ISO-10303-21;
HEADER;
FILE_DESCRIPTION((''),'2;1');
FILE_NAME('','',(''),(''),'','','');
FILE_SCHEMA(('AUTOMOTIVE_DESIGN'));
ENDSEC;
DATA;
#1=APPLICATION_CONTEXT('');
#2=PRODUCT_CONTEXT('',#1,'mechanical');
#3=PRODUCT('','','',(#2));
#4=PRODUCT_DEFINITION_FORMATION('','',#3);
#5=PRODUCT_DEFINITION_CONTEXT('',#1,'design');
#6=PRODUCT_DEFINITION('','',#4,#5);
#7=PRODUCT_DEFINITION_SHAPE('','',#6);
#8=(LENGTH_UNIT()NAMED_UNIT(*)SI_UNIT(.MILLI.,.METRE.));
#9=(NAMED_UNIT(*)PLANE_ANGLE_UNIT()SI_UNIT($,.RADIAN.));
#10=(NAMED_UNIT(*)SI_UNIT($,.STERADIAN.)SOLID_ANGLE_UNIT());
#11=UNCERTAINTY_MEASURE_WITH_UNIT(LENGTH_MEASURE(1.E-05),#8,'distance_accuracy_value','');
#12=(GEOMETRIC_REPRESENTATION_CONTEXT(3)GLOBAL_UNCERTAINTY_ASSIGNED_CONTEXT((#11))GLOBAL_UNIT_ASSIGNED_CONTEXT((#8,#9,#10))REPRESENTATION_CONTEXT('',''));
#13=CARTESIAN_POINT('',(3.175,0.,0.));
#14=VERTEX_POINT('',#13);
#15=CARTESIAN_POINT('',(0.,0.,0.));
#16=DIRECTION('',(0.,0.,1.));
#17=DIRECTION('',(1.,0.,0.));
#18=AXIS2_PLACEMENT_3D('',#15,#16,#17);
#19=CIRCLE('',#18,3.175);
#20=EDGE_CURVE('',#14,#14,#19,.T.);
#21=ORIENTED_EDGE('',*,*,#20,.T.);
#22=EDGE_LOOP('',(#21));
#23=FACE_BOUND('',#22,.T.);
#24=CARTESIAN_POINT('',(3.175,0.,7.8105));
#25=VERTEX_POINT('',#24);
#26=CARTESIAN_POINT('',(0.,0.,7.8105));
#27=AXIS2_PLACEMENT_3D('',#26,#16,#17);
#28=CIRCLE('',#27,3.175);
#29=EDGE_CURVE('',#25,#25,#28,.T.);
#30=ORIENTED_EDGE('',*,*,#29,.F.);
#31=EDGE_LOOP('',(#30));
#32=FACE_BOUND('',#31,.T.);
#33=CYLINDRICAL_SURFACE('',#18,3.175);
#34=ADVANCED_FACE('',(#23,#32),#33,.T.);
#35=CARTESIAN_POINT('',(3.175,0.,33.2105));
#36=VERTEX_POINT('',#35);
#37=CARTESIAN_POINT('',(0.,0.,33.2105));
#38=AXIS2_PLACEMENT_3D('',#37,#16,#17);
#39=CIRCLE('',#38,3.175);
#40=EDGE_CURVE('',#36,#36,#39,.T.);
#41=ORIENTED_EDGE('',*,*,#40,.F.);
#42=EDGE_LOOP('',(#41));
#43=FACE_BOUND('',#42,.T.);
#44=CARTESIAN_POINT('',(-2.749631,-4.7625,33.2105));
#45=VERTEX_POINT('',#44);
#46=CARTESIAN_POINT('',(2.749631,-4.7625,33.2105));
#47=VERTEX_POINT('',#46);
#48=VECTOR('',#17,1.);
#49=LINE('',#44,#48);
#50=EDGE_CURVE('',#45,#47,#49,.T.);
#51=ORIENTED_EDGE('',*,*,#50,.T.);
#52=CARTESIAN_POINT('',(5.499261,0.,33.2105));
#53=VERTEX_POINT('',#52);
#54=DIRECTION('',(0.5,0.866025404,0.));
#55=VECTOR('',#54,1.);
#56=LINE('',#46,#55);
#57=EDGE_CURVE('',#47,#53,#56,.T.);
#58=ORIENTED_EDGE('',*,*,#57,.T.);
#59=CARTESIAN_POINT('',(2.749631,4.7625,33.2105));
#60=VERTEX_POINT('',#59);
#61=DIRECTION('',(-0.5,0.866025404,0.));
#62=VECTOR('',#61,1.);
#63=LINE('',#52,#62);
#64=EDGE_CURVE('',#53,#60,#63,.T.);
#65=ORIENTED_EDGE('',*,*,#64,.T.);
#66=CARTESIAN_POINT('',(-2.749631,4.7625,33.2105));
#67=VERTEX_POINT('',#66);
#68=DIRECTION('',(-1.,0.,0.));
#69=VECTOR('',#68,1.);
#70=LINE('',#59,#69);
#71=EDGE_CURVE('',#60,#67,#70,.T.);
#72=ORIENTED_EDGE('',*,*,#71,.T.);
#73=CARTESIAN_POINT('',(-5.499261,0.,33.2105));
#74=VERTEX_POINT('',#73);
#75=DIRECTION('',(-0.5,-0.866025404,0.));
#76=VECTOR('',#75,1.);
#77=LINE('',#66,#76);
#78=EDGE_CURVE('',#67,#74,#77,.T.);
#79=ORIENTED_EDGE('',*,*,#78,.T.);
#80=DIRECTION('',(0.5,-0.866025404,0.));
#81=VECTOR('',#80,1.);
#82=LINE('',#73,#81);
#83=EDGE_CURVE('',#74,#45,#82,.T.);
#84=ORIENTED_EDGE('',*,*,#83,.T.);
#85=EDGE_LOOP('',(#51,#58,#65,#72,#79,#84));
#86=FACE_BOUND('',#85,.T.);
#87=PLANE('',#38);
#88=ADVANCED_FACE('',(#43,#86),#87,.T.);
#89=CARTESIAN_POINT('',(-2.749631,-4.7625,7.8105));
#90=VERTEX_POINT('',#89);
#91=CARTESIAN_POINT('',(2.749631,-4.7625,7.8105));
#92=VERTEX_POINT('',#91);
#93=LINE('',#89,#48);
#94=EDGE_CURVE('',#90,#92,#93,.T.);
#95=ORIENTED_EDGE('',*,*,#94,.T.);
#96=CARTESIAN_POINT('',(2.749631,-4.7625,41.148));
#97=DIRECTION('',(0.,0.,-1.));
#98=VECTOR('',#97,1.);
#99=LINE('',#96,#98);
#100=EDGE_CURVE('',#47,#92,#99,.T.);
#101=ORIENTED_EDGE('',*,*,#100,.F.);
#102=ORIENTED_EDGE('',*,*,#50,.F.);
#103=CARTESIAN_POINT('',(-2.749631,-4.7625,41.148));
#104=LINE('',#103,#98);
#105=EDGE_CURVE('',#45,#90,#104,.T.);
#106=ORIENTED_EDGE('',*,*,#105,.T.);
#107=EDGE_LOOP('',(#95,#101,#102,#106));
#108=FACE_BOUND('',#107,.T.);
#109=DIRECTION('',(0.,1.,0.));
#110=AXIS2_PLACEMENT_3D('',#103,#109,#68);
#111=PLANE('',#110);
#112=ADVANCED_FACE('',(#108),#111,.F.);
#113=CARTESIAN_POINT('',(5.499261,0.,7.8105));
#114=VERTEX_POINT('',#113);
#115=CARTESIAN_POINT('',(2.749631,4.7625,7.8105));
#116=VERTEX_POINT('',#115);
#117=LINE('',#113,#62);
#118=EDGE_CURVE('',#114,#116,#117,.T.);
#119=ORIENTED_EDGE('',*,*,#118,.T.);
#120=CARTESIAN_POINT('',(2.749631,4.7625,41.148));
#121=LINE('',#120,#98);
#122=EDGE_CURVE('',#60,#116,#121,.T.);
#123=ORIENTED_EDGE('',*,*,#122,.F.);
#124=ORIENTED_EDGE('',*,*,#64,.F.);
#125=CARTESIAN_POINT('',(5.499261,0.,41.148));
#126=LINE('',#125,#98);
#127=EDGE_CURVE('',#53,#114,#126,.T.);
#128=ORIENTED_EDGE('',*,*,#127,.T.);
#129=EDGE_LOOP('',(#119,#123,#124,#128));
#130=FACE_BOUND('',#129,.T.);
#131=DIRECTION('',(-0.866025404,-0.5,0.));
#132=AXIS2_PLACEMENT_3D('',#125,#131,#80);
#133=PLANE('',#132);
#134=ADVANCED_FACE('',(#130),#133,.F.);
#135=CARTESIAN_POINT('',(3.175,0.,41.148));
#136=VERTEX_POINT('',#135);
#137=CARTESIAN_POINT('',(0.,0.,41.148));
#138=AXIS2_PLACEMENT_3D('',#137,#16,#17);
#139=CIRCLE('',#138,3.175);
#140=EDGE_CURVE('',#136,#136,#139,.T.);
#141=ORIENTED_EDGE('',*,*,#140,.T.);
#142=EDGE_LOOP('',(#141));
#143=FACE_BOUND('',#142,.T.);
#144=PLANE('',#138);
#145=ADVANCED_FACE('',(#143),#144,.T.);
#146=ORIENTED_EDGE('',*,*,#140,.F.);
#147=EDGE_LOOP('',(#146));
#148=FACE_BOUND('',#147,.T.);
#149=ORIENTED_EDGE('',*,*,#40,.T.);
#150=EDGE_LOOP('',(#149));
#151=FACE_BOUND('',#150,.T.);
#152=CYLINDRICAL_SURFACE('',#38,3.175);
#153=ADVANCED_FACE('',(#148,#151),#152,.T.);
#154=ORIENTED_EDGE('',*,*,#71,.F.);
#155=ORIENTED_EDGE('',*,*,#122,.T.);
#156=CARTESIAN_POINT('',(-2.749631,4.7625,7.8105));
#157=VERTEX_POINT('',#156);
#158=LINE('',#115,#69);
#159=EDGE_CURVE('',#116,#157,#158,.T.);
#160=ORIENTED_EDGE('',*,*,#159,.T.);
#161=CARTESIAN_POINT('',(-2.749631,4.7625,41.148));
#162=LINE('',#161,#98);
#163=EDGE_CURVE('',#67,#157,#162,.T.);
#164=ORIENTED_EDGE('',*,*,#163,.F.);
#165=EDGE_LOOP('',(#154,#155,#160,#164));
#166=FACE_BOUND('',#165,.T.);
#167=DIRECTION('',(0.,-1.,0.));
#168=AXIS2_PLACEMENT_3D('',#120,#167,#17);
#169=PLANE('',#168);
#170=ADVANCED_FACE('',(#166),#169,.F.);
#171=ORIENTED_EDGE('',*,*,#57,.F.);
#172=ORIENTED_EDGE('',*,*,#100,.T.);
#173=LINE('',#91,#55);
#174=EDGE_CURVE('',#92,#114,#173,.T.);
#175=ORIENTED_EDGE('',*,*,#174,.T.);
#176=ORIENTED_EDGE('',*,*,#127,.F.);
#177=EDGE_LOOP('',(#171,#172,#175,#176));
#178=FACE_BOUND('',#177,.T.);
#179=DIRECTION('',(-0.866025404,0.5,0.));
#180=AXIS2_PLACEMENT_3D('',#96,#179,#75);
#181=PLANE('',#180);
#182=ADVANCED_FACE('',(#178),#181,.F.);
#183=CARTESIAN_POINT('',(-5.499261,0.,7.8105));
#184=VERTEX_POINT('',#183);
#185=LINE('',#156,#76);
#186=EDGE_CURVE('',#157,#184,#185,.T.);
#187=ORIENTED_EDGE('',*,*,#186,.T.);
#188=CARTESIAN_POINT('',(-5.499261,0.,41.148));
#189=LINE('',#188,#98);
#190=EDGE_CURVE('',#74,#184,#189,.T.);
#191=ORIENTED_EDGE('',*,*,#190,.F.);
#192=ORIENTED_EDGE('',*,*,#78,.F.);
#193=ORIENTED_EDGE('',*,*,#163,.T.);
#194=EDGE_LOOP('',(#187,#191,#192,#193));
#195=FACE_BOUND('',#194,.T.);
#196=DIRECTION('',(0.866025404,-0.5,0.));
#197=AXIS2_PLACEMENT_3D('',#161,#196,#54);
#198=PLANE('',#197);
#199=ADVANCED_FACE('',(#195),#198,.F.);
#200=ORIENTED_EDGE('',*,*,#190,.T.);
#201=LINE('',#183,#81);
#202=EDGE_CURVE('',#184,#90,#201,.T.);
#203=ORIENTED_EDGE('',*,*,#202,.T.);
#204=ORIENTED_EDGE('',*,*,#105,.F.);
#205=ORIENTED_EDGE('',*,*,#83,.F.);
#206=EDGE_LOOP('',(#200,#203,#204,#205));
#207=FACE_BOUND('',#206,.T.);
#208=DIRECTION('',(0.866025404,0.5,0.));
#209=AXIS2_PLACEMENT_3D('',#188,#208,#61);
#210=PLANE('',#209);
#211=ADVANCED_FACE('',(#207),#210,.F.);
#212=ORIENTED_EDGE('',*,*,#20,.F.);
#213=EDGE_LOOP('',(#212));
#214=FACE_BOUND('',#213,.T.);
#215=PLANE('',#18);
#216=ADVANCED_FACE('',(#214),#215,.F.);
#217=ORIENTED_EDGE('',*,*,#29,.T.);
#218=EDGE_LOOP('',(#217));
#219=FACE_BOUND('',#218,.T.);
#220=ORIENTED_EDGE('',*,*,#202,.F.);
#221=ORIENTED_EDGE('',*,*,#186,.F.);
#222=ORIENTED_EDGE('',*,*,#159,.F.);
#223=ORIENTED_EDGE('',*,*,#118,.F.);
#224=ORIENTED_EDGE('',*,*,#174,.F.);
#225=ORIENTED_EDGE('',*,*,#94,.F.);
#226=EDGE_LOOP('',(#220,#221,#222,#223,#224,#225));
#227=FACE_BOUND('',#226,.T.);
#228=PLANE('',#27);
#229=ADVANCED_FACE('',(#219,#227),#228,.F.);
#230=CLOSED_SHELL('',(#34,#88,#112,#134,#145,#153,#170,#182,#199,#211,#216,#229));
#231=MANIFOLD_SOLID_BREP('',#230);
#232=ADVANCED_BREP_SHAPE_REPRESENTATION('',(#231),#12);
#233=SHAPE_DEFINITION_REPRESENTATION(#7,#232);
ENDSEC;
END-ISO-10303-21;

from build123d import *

# Parameters (mm, degrees)
BOSS_EXTRUDE1_DEPTH = 41.148
SKETCH2_OUTSIDE_W   = 21.726
SKETCH2_OUTSIDE_H   = 20.254
SKETCH2_OUTSIDE_R   = 3.175
CUT_EXTRUDE1_DEPTH  = 7.9375
SKETCH3_OUTSIDE_W   = 21.726
SKETCH3_OUTSIDE_H   = 20.254
SKETCH3_OUTSIDE_R   = 3.175
CUT_EXTRUDE2_DEPTH  = 8.8105


with BuildPart() as part:
    # Sketch1 → Boss-Extrude1 (new body)
    with BuildSketch(Plane.XY):
        Polygon((-2.749630657, -4.7625), (2.749630657, -4.7625), (5.499261314, 0), (2.749630657, 4.7625), (-2.749630657, 4.7625), (-5.499261314, 0), align=None)
    extrude(amount=BOSS_EXTRUDE1_DEPTH)

    # Sketch2 outside → Cut-Extrude1 (cut)
    with BuildSketch(Plane.XY.offset(41.148)):
        Rectangle(SKETCH2_OUTSIDE_W, SKETCH2_OUTSIDE_H)
        Circle(SKETCH2_OUTSIDE_R, mode=Mode.SUBTRACT)
    extrude(amount=-CUT_EXTRUDE1_DEPTH, mode=Mode.SUBTRACT)

    # Sketch3 outside → Cut-Extrude2 (cut, through all)
    with BuildSketch(Plane.XY.offset(7.8105)):
        Rectangle(SKETCH3_OUTSIDE_W, SKETCH3_OUTSIDE_H)
        Circle(SKETCH3_OUTSIDE_R, mode=Mode.SUBTRACT)
    extrude(amount=-CUT_EXTRUDE2_DEPTH, mode=Mode.SUBTRACT)


solid = part.part
